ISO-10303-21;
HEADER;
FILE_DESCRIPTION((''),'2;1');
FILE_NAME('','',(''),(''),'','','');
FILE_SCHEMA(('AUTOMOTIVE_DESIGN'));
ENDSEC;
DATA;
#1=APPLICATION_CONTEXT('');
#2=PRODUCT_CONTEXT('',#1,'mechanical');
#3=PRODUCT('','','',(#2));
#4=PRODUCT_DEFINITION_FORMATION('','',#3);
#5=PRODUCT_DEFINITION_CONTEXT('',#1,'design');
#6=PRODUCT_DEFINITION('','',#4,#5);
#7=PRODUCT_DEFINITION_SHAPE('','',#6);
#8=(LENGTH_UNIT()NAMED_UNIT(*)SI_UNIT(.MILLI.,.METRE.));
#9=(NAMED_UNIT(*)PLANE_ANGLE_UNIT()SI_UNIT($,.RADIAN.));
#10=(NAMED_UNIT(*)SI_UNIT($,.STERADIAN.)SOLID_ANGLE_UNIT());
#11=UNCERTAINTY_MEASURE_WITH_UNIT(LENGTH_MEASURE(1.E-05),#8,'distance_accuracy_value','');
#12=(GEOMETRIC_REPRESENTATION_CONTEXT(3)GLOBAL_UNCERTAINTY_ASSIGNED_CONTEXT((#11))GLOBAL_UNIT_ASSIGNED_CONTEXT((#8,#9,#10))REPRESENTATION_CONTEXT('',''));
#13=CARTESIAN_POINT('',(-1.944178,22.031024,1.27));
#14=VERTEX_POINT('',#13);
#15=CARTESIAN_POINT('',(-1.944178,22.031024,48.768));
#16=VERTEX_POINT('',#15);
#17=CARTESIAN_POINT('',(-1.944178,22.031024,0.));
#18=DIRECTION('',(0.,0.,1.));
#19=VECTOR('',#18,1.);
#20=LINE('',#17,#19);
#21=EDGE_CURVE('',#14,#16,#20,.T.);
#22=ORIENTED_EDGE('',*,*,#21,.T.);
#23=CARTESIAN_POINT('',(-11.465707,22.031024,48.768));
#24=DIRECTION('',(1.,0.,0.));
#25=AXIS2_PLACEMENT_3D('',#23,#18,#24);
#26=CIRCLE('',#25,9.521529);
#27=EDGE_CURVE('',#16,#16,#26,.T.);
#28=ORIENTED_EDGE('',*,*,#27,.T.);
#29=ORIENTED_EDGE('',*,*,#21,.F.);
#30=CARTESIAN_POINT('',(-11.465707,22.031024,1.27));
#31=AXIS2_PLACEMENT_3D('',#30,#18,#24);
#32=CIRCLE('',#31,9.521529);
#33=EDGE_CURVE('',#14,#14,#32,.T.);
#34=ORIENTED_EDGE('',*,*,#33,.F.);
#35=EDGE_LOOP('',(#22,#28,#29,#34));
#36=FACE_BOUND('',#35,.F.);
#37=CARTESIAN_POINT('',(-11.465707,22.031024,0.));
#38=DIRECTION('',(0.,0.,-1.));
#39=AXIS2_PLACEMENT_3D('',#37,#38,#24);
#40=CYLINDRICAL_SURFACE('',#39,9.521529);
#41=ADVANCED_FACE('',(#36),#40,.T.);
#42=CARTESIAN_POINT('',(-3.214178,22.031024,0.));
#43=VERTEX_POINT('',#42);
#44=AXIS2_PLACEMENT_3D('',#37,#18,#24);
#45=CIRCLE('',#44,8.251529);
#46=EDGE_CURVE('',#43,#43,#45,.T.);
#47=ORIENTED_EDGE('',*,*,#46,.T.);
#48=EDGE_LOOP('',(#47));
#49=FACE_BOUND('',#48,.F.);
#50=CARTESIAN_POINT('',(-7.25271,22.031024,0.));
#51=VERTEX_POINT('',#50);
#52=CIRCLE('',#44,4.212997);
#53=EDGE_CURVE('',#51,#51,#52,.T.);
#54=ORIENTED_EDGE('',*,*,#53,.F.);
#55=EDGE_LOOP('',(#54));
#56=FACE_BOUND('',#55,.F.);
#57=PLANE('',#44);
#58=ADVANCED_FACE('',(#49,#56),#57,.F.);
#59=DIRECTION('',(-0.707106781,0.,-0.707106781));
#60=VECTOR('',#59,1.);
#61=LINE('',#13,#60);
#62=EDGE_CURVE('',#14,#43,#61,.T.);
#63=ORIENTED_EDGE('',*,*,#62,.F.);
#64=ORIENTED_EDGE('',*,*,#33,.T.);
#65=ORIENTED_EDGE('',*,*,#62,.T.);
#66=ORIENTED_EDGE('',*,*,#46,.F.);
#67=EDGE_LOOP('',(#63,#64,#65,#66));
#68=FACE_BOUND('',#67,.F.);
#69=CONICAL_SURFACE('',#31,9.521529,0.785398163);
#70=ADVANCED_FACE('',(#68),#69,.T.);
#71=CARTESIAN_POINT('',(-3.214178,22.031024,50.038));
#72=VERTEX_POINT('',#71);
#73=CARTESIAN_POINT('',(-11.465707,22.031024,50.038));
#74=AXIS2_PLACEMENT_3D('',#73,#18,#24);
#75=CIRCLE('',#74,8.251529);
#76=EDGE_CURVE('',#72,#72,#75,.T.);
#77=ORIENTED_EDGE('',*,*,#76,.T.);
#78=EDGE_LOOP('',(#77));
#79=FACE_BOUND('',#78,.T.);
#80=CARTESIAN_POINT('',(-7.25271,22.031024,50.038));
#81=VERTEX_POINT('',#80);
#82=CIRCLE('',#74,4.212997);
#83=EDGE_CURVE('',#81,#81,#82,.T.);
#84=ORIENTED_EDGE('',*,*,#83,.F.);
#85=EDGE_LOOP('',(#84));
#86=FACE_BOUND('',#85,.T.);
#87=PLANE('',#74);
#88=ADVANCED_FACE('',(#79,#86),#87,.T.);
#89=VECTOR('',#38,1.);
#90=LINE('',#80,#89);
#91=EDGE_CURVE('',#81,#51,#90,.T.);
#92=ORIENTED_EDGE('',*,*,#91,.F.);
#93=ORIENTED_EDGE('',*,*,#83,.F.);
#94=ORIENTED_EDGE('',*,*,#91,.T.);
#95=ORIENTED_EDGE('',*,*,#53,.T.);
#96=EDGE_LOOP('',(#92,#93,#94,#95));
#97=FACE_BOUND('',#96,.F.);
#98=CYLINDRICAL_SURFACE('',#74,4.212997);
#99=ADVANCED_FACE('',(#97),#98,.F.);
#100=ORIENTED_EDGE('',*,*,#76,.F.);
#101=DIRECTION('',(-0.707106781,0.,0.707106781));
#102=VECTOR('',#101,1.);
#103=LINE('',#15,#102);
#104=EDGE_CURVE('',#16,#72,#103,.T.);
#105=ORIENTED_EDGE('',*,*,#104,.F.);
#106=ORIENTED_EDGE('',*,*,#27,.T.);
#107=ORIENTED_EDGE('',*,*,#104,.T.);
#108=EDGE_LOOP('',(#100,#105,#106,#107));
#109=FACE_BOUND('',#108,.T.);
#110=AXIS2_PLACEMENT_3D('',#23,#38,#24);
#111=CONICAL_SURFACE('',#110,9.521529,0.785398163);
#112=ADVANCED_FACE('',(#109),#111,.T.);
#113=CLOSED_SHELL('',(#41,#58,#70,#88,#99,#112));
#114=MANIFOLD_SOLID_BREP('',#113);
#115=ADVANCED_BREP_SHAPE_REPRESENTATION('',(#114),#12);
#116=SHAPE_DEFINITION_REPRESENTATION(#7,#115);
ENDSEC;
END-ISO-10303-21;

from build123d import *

# Parameters (mm, degrees)
F0_R     = 9.521529
F1_DEPTH = 50.038
F2_R     = 4.212997
F3_DEPTH = 76.2
F4_SIZE  = 1.27


with BuildPart() as f1:
    # F0 (on Top) → F1 (new body)
    with BuildSketch(Plane.XY):
        with Locations((-11.465707, 22.031024)):
            Circle(F0_R)
    extrude(amount=F1_DEPTH)

    # F2 (on face) → F3 (cut)
    with BuildSketch(Plane.XY.offset(50.038)):
        with Locations((-11.465707, 22.031024)):
            Circle(F2_R)
    extrude(amount=-F3_DEPTH, mode=Mode.SUBTRACT)

    # F4
    f4_edges = [f1.edges().sort_by_distance(p)[0] for p in [
        (-20.987236, 22.031024, 0),
        (-20.987236, 22.031024, 50.038),
    ]]
    chamfer(f4_edges, length=F4_SIZE)


solid = f1.part
